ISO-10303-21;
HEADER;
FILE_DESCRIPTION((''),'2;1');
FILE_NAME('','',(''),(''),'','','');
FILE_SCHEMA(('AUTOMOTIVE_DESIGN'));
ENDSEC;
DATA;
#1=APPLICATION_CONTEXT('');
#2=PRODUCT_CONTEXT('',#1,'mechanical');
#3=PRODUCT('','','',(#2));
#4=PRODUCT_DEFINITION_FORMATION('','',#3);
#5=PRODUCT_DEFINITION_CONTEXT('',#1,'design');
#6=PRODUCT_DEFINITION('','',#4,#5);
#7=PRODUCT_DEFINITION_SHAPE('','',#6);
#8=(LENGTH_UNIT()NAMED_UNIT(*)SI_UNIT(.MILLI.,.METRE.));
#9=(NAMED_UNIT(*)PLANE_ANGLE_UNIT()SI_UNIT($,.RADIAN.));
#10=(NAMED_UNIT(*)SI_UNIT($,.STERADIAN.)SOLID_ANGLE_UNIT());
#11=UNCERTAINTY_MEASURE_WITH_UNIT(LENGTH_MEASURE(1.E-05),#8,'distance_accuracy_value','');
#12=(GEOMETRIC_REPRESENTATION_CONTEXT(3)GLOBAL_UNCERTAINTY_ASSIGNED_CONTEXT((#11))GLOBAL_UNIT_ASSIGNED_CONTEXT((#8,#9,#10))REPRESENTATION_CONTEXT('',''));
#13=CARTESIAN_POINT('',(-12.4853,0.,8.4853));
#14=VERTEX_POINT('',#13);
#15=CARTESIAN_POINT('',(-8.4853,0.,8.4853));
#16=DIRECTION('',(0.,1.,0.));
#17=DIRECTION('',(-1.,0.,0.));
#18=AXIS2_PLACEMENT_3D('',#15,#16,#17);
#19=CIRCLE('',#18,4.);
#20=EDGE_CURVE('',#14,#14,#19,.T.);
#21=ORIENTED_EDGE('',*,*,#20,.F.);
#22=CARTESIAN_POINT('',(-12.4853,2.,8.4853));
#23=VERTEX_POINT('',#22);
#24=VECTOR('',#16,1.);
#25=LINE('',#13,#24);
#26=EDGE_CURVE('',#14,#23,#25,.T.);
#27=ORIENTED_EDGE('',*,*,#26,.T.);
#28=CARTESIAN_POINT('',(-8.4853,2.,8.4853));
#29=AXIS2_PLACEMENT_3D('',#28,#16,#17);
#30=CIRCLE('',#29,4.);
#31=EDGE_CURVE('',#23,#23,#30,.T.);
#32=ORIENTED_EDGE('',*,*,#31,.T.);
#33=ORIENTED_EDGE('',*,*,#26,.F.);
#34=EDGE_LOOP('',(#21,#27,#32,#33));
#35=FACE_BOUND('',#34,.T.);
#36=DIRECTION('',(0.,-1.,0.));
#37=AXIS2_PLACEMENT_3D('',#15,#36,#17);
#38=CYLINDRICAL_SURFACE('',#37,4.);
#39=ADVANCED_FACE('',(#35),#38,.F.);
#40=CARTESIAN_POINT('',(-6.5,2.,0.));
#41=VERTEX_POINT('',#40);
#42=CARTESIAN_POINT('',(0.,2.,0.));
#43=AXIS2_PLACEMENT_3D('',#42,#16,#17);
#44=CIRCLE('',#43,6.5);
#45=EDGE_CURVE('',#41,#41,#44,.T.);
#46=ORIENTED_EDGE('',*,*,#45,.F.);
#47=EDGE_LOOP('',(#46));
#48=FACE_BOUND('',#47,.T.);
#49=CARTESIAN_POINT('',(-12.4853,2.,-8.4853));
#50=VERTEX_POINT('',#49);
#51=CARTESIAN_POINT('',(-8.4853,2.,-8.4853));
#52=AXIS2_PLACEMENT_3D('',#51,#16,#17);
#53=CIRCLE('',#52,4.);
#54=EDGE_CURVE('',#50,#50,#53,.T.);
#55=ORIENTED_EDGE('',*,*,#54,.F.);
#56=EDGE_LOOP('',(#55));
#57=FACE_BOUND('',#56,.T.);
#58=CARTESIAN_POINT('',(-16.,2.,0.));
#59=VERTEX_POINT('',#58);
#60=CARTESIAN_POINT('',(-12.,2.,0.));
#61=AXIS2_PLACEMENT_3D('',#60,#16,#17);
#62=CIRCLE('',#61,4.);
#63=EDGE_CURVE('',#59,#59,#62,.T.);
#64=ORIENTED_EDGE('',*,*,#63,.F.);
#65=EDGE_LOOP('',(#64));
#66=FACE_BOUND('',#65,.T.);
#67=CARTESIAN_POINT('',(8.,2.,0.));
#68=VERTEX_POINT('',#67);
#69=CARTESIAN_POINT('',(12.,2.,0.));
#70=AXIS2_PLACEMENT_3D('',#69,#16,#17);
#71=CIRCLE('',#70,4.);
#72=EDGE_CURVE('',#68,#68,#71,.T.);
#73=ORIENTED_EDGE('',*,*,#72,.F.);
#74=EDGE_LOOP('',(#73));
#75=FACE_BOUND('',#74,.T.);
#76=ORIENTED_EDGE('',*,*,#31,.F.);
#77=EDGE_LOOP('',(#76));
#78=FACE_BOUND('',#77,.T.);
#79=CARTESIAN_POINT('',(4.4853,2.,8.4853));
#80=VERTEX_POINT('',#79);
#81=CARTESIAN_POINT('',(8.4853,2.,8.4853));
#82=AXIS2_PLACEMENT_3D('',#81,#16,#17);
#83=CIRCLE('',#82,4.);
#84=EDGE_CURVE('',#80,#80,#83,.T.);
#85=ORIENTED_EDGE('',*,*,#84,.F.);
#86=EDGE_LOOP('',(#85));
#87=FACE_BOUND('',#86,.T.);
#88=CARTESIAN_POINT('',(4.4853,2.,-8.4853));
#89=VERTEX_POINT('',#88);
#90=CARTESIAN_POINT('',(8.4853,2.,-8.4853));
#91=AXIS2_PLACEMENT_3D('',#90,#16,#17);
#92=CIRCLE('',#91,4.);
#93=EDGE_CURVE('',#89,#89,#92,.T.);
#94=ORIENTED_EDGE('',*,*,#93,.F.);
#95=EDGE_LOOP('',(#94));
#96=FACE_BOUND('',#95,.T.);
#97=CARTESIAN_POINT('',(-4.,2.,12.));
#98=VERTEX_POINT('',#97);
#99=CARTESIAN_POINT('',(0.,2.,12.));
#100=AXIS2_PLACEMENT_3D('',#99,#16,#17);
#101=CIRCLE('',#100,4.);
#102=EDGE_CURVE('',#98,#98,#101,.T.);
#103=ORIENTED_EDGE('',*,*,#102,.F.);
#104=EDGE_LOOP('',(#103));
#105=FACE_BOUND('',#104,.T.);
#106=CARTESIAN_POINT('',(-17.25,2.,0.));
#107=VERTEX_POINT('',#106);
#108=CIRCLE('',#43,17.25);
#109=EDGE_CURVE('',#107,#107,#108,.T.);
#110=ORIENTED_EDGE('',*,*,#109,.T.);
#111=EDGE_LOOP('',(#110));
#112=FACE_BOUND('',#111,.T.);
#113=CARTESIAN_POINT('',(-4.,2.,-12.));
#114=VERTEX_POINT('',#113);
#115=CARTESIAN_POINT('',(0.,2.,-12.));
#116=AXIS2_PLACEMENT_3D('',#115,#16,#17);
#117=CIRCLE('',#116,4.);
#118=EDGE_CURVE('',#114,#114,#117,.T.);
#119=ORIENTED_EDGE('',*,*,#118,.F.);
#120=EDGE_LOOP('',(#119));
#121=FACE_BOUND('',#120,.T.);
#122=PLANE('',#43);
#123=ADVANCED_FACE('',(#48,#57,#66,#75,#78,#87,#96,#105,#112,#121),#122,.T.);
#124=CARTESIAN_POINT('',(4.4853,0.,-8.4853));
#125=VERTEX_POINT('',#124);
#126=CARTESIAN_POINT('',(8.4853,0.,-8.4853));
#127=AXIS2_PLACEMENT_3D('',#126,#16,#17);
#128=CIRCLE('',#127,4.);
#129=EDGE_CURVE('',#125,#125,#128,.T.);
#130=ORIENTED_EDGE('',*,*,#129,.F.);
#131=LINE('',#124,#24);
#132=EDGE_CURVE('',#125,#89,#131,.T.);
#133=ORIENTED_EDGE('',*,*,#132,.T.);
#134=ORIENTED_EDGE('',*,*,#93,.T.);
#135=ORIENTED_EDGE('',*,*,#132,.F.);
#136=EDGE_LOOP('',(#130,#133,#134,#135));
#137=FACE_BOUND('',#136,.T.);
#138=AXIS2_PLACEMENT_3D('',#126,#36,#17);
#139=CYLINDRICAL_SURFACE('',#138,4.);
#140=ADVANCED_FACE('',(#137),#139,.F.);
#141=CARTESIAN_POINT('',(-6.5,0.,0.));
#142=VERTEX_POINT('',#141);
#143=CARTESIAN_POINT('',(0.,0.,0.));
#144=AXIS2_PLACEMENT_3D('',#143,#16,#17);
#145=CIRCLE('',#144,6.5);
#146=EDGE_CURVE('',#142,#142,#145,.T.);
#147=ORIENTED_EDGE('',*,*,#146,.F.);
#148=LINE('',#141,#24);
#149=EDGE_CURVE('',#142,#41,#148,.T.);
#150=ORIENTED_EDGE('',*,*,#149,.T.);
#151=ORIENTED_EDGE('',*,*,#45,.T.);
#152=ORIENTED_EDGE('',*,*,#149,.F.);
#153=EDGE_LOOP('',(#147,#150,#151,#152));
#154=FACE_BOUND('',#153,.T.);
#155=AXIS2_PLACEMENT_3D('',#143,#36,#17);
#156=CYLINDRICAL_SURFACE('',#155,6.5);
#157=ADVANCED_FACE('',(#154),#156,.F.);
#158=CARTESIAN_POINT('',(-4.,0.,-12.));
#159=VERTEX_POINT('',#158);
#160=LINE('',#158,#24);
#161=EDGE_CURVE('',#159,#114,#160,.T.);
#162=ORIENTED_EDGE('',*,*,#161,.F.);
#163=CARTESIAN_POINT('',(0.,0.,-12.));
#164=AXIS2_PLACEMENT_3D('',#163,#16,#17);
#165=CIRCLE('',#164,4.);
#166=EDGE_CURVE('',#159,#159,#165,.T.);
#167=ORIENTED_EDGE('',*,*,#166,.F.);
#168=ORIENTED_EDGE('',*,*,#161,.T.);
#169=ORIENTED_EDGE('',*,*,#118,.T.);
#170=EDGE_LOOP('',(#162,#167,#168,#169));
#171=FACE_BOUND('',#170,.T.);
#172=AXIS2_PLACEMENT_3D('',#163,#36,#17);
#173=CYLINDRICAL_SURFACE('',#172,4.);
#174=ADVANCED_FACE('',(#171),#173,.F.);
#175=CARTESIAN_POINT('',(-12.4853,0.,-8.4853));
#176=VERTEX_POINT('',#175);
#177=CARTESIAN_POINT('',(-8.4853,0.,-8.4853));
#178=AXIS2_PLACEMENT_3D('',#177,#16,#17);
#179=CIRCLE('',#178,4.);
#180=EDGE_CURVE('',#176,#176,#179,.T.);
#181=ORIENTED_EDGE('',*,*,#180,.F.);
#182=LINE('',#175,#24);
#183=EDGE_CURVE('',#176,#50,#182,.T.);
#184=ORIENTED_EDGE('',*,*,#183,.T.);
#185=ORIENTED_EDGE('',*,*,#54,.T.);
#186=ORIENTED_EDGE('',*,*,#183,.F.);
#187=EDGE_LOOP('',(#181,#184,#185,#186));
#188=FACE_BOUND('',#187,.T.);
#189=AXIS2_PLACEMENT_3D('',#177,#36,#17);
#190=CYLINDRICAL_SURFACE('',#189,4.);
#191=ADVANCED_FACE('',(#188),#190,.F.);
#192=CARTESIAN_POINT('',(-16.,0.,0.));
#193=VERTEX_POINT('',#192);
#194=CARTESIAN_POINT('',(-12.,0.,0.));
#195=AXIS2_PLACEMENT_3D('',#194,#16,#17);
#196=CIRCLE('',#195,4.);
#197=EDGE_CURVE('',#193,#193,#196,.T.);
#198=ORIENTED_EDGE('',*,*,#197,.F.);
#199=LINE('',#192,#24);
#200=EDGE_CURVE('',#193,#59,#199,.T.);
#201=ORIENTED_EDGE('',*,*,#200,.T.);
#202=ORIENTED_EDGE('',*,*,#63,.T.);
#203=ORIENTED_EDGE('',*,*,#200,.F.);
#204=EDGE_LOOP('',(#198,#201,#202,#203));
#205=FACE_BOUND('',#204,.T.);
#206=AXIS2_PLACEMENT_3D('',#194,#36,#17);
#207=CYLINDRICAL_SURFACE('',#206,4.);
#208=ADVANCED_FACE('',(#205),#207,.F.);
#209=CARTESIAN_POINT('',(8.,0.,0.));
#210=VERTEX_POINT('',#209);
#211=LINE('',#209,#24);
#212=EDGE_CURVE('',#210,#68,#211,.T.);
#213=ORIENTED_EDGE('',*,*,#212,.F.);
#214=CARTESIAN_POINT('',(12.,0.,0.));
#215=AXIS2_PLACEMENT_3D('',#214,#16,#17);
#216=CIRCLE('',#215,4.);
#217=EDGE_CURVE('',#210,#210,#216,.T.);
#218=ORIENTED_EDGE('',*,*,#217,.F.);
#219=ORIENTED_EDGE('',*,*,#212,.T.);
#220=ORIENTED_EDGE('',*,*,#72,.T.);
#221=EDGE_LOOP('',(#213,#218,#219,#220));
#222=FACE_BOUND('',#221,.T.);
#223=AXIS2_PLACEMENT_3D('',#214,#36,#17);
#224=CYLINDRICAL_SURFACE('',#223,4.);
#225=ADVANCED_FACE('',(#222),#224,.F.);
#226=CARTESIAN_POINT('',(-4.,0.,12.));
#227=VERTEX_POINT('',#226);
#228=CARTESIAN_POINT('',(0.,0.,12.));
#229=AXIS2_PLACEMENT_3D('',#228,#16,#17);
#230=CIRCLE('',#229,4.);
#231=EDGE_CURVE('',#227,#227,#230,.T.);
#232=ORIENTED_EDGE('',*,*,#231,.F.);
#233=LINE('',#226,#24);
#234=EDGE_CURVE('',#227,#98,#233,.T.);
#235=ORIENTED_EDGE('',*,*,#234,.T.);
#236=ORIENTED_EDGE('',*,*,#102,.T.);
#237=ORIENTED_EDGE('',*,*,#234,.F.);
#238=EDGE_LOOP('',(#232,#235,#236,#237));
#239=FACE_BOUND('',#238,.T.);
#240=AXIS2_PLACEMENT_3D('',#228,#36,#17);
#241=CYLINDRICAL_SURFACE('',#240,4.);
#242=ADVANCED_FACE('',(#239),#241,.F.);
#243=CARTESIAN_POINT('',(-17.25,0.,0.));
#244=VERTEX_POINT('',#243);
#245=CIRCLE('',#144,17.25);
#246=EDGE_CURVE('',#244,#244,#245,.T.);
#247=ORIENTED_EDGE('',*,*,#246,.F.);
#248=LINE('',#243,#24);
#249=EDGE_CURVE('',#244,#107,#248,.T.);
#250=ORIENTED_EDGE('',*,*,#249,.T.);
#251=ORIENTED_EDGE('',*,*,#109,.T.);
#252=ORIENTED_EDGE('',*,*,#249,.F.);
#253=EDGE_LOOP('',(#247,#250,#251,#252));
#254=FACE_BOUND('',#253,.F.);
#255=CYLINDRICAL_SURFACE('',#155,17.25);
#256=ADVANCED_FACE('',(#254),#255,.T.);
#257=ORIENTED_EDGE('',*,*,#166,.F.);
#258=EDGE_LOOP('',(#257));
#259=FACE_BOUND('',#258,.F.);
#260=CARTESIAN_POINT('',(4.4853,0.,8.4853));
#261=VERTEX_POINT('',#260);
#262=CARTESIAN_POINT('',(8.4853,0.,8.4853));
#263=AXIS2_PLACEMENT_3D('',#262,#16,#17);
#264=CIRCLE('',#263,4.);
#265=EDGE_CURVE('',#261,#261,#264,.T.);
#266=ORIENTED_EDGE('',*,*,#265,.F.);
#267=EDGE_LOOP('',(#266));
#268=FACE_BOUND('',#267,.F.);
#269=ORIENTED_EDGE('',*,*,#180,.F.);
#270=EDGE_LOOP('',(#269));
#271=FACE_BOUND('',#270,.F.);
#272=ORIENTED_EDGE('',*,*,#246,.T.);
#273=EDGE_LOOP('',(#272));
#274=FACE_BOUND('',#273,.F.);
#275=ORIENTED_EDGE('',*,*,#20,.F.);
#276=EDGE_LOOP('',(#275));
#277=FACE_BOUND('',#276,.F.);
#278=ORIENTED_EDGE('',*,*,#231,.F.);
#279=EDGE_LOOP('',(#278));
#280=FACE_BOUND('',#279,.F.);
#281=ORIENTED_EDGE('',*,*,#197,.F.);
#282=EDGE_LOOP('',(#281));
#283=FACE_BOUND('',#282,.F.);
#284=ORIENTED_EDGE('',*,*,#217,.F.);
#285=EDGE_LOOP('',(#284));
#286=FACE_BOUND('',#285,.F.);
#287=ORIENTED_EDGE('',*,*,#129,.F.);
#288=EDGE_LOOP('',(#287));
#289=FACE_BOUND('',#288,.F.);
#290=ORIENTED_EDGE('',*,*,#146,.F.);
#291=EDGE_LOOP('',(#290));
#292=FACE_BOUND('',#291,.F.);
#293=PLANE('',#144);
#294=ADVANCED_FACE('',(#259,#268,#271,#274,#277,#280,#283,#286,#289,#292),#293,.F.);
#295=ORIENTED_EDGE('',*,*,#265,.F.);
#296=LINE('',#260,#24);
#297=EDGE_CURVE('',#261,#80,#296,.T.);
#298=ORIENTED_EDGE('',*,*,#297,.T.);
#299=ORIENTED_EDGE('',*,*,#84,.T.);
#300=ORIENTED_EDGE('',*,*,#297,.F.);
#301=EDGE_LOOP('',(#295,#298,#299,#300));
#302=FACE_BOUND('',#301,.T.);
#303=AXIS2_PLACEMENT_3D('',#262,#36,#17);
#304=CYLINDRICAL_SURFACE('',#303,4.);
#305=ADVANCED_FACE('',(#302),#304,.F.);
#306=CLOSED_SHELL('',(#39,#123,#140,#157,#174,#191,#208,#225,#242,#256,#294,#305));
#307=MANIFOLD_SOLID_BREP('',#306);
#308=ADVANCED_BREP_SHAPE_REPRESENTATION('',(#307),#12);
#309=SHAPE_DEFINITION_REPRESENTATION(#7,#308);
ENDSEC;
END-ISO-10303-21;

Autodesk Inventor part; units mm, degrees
ref_plane "YZ Plane" through (0, 0, 0) normal (1, 0, 0) x (0, 1, 0)
ref_plane "XZ Plane" through (0, 0, 0) normal (0, 1, 0) x (-1, 0, 0)
ref_plane "XY Plane" through (0, 0, 0) normal (0, 0, 1) x (1, 0, 0)
sketch "Sketch1" plane through (0, 0, 0) normal (0, 1, 0) x (-1, 0, 0)
  line L0 (0, 0) -> (12, 0) construction
  circle A0 centre (12, 0) radius 4
  circle A1 centre (8.4853, 8.4853) radius 4
  circle A2 centre (0, 12) radius 4
  circle A3 centre (-8.4853, 8.4853) radius 4
  circle A4 centre (-12, 0) radius 4
  circle A5 centre (-8.4853, -8.4853) radius 4
  circle A6 centre (0, -12) radius 4
  circle A7 centre (8.4853, -8.4853) radius 4
  circle A8 centre (0, 0) radius 17.25
  circle A9 centre (0, 0) radius 6.5
  dimension "d0" = 12
  dimension "d1" = 8
  dimension "d4" = 360
  dimension "d6" = 34.5
  dimension "d9" = 13
extrude "Extrusion1" add sketch "Sketch1" along normal blind 2
properties part number "tubeholder"
